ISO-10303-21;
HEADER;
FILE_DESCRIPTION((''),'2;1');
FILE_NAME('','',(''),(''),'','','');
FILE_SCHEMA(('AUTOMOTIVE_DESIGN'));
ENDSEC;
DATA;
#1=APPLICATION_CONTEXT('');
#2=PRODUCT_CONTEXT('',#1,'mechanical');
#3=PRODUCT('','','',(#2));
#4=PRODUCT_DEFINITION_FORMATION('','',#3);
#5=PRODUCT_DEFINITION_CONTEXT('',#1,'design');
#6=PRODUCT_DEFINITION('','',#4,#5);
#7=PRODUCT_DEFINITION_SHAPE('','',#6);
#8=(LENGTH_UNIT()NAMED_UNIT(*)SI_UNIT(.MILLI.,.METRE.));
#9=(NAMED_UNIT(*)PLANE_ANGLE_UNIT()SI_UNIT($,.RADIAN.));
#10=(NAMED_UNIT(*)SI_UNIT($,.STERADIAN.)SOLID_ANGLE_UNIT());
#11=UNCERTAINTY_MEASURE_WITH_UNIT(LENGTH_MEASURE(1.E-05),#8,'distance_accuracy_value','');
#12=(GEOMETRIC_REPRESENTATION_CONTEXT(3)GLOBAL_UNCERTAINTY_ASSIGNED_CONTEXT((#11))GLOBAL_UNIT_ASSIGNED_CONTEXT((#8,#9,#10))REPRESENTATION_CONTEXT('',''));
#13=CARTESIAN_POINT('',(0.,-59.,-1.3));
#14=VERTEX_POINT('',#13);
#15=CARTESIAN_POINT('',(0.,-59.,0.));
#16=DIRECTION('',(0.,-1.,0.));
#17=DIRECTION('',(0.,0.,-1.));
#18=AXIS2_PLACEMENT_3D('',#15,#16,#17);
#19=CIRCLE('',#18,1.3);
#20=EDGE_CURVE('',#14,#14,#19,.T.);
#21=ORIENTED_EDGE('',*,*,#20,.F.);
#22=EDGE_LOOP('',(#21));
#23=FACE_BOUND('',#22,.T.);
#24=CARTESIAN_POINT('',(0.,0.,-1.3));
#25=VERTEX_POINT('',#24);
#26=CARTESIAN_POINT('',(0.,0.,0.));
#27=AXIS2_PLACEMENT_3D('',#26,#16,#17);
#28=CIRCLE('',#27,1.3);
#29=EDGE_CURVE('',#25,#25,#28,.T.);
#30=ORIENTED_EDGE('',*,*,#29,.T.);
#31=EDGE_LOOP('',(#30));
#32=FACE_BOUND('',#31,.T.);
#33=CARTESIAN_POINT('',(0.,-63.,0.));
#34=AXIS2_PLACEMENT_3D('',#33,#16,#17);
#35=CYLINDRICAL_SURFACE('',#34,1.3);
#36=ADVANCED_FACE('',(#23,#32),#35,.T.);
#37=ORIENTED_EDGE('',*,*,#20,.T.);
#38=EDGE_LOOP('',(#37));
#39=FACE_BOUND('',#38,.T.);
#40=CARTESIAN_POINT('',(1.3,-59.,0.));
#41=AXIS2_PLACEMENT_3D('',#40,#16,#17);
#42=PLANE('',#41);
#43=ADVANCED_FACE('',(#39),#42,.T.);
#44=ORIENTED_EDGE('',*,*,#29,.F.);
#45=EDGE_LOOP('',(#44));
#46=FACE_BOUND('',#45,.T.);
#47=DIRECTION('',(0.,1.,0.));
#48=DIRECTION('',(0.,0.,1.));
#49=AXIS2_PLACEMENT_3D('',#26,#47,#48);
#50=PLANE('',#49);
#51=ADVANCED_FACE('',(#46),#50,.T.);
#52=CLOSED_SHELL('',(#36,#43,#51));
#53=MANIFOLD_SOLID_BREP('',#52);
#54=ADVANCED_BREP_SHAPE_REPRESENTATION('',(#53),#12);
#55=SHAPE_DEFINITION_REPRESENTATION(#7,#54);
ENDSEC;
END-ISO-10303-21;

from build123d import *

# Parameters (mm, degrees)
SKETCH1_W = 1.3
SKETCH1_H = 59


with BuildPart() as part:
    # Sketch1 → Tendon (revolve)
    with BuildSketch(Plane.XY, mode=Mode.PRIVATE) as tendon_sk:
        with Locations((0.65, -29.5)):
            Rectangle(SKETCH1_W, SKETCH1_H)
    revolve(tendon_sk.sketch.rotate(Axis((0, -63, 0), (0, 1, 0)), 90), axis=Axis((0, -63, 0), (0, 1, 0)))


solid = part.part
